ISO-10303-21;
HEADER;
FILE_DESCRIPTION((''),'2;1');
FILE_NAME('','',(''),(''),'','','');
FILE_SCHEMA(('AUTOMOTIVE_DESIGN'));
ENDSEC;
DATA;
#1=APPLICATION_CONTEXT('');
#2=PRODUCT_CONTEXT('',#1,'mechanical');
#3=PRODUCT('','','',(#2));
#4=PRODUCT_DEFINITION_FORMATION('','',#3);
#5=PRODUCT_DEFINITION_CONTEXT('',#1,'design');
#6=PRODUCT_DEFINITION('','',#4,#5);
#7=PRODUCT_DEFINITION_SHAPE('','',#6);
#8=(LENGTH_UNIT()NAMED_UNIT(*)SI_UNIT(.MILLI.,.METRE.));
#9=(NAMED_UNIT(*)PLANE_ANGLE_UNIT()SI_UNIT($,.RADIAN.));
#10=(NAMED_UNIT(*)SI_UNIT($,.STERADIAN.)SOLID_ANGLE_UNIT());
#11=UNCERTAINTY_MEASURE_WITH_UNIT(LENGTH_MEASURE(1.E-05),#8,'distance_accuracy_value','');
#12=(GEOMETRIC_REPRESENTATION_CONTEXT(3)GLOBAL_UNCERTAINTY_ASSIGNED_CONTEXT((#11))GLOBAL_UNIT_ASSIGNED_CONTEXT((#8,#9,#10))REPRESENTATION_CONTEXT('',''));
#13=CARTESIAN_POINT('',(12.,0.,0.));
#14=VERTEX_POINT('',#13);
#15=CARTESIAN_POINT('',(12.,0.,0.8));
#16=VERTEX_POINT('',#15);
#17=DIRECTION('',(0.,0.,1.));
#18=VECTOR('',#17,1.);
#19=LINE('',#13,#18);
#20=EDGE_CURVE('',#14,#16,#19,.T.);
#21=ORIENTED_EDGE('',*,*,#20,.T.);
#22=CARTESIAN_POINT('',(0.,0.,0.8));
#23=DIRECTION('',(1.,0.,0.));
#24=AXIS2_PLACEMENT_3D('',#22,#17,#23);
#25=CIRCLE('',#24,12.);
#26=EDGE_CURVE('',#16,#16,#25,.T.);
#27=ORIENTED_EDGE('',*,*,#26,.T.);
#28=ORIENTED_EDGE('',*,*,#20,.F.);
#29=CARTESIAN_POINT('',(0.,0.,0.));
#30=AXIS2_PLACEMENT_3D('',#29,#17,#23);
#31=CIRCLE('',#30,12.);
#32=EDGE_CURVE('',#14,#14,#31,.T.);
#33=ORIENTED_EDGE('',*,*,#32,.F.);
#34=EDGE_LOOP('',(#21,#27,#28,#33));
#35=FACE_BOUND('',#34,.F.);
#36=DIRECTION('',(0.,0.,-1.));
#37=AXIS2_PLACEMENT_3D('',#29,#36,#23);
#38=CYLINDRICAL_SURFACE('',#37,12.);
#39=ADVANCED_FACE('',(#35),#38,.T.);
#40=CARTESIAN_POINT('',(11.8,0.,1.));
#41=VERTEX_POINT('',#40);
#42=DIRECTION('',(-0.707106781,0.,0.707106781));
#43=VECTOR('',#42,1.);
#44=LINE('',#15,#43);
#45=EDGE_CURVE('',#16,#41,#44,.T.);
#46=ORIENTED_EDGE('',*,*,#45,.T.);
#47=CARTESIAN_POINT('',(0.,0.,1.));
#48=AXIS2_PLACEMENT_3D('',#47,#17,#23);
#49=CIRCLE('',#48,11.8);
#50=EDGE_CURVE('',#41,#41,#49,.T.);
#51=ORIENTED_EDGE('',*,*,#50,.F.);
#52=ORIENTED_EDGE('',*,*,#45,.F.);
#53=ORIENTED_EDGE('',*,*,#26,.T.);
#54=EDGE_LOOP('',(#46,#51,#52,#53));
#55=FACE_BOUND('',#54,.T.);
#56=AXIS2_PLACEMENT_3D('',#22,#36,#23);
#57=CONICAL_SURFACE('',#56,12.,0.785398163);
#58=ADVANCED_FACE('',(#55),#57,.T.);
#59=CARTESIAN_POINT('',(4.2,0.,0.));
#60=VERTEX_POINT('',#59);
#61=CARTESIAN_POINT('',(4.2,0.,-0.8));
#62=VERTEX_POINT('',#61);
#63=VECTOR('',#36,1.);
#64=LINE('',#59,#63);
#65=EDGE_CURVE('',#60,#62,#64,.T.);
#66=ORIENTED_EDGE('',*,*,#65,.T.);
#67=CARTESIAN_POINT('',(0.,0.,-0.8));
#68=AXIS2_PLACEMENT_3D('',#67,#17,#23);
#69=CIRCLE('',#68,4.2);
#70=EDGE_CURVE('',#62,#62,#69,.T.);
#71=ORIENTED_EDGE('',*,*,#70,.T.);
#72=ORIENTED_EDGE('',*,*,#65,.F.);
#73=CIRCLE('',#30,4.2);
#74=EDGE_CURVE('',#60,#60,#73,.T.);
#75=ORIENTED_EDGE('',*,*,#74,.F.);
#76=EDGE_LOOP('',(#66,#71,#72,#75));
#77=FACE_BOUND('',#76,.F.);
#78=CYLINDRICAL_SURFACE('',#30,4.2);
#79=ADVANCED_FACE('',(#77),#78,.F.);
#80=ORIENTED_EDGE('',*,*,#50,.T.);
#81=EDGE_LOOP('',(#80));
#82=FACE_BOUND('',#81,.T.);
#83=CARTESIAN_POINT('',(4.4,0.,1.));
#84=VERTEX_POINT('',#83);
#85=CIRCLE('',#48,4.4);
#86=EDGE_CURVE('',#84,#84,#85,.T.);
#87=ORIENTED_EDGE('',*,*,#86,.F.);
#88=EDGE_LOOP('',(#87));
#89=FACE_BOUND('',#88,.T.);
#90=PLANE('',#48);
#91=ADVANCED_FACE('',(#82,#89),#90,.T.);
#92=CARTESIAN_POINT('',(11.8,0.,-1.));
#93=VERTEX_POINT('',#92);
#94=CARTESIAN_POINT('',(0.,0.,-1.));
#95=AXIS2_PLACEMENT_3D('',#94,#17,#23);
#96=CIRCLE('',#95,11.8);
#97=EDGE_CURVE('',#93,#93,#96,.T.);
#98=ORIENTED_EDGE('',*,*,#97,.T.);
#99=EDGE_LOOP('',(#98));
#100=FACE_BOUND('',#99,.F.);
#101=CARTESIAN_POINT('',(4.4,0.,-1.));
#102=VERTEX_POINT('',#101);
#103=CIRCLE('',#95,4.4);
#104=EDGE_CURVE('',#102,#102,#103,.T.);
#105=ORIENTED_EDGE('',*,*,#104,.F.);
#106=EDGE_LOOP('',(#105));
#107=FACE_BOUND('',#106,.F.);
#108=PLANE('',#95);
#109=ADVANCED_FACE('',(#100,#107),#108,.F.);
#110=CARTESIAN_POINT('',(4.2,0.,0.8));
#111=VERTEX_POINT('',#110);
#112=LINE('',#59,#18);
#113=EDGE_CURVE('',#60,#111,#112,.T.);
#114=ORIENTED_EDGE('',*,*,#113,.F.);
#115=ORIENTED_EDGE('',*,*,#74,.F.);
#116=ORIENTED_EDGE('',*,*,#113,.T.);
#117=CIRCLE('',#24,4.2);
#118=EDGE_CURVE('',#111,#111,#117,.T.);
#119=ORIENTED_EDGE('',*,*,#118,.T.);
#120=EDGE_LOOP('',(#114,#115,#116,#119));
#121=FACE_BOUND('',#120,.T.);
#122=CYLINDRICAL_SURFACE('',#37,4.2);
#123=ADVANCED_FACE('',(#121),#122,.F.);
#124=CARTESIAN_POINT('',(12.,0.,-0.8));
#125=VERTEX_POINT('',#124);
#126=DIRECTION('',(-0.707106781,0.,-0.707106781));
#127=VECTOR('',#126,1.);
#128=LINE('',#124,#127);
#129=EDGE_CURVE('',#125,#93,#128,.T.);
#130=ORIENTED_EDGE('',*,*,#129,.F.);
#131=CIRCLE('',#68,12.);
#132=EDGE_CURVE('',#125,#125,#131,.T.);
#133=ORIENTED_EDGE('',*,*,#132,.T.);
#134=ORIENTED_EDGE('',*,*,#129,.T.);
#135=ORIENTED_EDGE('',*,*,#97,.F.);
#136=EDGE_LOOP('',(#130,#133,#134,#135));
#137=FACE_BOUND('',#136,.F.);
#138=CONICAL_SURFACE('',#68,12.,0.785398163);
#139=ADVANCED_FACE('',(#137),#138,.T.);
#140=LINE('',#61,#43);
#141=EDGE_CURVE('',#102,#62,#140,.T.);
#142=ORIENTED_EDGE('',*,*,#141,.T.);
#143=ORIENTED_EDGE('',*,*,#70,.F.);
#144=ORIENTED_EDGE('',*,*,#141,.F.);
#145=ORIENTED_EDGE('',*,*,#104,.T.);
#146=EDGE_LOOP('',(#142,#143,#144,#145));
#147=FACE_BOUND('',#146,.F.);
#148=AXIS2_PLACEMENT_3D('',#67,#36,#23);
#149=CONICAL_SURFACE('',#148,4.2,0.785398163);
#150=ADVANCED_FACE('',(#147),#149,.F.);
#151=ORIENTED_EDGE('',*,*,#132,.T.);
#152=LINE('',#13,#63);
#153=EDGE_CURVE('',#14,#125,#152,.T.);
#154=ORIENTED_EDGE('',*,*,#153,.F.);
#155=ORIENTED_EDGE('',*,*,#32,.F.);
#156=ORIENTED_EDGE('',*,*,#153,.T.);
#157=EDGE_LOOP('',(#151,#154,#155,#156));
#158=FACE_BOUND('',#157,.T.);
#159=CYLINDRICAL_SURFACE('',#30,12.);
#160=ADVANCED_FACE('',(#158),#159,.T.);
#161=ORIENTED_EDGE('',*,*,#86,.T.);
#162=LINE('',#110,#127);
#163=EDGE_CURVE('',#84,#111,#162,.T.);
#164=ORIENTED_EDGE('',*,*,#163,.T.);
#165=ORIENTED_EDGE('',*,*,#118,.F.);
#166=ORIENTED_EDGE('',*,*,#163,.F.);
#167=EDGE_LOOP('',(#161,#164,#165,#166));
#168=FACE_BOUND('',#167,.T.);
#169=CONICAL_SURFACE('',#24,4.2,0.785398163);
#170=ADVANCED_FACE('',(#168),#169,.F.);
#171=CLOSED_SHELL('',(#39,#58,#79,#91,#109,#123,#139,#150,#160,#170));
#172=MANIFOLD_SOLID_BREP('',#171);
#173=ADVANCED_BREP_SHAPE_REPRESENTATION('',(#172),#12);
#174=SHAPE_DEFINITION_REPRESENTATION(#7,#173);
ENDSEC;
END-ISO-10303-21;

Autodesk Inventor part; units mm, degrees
ref_plane "YZ Plane" through (0, 0, 0) normal (1, 0, 0) x (0, 1, 0)
ref_plane "XZ Plane" through (0, 0, 0) normal (0, 1, 0) x (-1, 0, 0)
ref_plane "XY Plane" through (0, 0, 0) normal (0, 0, 1) x (1, 0, 0)
sketch "Skizze1" plane through (0, 0, 0) normal (0, 0, 1) x (1, 0, 0)
  circle A0 centre (0, 0) radius 4.2
  circle A1 centre (0, 0) radius 12
  dimension "d0" = 24
  dimension "d1" = 8.4
extrude "Extrusion1" add sketch "Skizze1" along normal mid plane 2
chamfer "Fase1" distance 0.2 angle 45 4 edges at (-12, 0, 1) (-12, 0, -1) (-4.2, 0, 1) (-4.2, 0, -1)
properties part number "900-80-WASHERS-DIN9021-M8" material "Edelstahl"
